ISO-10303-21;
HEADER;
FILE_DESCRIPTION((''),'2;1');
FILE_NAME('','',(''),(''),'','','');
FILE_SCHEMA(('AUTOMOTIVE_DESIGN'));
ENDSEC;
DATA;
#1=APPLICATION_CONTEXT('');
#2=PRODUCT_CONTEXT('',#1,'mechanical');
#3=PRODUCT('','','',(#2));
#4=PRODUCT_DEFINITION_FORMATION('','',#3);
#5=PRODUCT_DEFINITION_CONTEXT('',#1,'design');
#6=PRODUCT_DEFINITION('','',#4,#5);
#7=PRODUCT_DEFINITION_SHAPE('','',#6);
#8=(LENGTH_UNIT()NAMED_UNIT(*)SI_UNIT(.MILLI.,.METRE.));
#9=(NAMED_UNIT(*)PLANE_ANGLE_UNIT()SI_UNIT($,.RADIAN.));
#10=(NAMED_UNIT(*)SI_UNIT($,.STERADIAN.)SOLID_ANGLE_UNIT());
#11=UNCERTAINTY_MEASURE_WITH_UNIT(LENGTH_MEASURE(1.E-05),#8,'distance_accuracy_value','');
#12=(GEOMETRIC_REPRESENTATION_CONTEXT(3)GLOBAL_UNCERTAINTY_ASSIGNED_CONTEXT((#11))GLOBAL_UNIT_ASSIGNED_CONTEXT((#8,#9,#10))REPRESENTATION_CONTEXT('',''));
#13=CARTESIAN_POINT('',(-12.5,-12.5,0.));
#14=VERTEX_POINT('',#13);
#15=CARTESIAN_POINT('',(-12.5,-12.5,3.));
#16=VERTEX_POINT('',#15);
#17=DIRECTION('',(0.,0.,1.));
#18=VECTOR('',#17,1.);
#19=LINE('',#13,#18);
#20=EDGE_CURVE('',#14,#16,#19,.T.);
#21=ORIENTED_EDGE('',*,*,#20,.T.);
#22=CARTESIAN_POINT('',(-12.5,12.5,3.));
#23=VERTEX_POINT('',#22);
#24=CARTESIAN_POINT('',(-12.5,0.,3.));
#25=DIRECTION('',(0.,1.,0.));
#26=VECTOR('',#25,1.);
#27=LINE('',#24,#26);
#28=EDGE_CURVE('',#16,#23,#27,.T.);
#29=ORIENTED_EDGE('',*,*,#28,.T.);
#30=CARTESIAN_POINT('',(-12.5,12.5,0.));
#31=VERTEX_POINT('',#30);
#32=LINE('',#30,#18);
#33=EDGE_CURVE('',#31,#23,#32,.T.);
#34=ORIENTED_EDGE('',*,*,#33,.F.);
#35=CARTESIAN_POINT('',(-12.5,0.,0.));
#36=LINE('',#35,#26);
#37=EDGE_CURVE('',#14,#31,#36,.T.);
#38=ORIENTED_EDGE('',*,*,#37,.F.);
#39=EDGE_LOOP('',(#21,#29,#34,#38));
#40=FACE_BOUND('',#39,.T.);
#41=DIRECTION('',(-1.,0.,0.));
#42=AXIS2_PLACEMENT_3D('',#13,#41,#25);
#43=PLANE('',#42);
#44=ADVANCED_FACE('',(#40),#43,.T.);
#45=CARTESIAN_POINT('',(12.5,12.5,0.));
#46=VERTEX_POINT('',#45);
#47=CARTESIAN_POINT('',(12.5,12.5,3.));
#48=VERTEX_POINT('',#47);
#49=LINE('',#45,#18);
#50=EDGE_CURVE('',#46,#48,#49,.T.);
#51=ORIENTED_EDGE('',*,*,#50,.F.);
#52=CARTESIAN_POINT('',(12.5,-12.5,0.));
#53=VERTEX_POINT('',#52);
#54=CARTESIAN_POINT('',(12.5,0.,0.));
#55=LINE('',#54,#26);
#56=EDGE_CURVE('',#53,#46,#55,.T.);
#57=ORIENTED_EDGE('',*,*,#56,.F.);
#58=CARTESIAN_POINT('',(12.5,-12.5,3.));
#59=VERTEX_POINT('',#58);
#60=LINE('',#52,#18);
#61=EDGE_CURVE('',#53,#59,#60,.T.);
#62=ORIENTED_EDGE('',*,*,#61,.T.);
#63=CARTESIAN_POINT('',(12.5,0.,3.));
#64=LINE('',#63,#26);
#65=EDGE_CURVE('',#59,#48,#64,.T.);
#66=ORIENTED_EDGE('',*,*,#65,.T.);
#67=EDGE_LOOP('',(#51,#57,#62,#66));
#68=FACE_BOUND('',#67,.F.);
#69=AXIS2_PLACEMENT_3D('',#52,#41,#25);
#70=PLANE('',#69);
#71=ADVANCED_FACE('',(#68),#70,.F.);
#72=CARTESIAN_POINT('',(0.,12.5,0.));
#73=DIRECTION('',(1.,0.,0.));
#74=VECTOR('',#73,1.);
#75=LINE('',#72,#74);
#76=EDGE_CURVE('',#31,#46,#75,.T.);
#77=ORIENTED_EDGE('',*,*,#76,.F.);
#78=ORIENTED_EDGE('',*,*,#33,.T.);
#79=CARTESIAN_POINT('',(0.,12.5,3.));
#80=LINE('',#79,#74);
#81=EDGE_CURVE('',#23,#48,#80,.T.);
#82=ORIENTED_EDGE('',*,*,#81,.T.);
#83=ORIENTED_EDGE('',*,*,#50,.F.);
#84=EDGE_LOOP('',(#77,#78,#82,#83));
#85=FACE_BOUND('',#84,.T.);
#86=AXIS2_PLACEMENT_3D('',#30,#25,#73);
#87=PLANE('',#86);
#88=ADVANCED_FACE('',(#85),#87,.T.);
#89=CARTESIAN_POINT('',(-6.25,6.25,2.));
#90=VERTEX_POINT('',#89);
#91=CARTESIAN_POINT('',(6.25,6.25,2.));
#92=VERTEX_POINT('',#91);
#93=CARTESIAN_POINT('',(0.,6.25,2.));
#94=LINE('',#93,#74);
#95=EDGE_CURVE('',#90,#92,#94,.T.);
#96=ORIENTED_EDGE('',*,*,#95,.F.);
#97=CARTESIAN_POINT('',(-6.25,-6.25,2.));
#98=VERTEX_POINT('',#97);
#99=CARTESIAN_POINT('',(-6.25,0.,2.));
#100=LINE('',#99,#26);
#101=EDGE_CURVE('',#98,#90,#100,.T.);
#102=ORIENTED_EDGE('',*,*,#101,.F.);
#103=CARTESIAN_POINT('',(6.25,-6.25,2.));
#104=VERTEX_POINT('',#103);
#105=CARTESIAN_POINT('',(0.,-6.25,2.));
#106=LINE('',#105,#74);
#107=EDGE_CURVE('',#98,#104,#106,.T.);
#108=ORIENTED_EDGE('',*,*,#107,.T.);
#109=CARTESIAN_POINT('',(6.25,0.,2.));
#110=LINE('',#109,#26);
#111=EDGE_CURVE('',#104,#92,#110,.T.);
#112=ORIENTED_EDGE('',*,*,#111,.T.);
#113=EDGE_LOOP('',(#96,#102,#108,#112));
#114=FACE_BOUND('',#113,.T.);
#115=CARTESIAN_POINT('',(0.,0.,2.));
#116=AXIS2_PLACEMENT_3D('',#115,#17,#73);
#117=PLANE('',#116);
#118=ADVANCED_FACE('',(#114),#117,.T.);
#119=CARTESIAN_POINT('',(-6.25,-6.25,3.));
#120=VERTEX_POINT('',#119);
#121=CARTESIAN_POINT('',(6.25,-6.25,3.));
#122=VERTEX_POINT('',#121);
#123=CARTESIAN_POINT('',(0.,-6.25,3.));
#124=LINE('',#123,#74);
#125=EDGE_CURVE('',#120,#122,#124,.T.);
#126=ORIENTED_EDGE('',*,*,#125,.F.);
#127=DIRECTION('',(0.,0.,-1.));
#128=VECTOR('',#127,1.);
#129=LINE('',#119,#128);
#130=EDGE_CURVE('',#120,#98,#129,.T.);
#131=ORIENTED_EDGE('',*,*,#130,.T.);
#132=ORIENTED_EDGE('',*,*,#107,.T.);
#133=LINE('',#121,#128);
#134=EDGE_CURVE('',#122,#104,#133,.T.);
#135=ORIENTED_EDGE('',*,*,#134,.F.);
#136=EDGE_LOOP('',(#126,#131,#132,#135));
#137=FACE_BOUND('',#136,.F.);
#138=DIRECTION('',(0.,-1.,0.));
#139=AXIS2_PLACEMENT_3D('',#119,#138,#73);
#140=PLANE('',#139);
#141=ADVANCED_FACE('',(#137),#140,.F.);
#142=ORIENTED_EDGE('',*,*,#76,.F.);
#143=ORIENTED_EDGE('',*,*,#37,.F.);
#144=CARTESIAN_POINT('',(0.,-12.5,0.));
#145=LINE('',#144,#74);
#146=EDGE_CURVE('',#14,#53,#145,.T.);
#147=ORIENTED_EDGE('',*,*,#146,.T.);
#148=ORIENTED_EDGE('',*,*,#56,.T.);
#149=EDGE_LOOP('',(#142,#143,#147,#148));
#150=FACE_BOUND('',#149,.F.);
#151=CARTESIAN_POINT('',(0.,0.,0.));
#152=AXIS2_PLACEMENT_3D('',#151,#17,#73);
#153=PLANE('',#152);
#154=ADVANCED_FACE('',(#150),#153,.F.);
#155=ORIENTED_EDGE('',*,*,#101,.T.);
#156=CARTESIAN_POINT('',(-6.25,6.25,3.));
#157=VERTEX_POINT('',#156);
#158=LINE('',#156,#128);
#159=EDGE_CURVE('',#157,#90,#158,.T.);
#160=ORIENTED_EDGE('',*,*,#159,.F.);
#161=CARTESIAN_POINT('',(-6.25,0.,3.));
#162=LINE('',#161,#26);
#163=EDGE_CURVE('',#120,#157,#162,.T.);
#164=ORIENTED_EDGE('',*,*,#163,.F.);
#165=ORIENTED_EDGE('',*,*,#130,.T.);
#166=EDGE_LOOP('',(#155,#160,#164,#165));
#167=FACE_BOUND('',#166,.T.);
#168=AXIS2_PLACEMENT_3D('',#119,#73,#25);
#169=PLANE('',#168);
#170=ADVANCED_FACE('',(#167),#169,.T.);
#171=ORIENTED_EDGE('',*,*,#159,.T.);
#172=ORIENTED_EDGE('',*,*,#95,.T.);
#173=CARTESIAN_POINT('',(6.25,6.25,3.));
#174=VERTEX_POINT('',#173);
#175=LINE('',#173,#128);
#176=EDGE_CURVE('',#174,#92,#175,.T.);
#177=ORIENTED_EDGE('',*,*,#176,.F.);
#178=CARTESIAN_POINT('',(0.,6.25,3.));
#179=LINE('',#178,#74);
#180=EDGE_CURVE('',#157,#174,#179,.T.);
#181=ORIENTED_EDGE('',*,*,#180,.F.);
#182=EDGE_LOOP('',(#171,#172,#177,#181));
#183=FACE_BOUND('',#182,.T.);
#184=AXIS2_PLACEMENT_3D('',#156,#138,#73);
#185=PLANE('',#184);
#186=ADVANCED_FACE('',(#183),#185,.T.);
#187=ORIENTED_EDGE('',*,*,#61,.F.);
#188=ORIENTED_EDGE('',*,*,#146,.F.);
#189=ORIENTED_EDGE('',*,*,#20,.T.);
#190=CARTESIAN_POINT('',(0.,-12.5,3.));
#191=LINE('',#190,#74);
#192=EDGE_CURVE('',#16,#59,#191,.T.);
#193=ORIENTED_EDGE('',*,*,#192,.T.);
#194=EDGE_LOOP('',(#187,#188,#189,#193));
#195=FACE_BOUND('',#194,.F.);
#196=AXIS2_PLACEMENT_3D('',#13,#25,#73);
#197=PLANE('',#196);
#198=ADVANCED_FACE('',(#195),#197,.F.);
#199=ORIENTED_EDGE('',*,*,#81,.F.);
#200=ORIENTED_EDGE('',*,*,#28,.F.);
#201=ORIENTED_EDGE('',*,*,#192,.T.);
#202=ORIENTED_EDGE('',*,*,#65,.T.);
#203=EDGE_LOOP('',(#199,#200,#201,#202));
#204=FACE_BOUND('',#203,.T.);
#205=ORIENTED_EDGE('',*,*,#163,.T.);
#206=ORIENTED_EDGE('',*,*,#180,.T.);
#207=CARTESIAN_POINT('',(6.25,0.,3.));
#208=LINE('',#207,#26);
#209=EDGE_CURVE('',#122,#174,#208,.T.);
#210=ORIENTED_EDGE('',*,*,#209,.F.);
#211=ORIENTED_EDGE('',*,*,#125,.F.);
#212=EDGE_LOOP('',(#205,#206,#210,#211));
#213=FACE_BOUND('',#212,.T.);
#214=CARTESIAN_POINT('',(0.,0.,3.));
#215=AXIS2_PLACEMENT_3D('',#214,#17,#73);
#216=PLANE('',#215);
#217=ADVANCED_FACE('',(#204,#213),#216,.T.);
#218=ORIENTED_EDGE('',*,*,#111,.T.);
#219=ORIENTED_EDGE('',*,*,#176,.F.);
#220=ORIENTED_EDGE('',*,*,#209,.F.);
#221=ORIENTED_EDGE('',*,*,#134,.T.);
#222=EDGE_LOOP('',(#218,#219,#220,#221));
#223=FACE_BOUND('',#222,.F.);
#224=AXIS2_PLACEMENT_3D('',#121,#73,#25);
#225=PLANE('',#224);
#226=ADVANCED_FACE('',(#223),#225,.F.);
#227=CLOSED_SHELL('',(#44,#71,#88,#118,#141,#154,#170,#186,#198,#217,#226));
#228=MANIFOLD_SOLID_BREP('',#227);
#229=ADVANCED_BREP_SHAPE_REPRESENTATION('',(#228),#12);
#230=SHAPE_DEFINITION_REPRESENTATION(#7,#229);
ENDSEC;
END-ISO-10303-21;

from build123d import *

# Parameters (mm, degrees)
F0_W     = 25
F0_H     = 25
F1_DEPTH = 3
F2_W     = 12.5
F2_H     = 12.5
F3_DEPTH = 1


with BuildPart() as f1:
    # F0 (on Top) → F1 (new body)
    with BuildSketch(Plane.XY):
        Rectangle(F0_W, F0_H)
    extrude(amount=F1_DEPTH)


with BuildPart() as f3:
    # F2 (on face) → F3 (new body)
    with BuildSketch(Plane.XY.offset(3)):
        Rectangle(F2_W, F2_H)
    extrude(amount=-F3_DEPTH)


with BuildPart() as f1_1:
    add(f1.part)

    # F4: cut F3
    add(f3.part, mode=Mode.SUBTRACT)


solid = f1_1.part
